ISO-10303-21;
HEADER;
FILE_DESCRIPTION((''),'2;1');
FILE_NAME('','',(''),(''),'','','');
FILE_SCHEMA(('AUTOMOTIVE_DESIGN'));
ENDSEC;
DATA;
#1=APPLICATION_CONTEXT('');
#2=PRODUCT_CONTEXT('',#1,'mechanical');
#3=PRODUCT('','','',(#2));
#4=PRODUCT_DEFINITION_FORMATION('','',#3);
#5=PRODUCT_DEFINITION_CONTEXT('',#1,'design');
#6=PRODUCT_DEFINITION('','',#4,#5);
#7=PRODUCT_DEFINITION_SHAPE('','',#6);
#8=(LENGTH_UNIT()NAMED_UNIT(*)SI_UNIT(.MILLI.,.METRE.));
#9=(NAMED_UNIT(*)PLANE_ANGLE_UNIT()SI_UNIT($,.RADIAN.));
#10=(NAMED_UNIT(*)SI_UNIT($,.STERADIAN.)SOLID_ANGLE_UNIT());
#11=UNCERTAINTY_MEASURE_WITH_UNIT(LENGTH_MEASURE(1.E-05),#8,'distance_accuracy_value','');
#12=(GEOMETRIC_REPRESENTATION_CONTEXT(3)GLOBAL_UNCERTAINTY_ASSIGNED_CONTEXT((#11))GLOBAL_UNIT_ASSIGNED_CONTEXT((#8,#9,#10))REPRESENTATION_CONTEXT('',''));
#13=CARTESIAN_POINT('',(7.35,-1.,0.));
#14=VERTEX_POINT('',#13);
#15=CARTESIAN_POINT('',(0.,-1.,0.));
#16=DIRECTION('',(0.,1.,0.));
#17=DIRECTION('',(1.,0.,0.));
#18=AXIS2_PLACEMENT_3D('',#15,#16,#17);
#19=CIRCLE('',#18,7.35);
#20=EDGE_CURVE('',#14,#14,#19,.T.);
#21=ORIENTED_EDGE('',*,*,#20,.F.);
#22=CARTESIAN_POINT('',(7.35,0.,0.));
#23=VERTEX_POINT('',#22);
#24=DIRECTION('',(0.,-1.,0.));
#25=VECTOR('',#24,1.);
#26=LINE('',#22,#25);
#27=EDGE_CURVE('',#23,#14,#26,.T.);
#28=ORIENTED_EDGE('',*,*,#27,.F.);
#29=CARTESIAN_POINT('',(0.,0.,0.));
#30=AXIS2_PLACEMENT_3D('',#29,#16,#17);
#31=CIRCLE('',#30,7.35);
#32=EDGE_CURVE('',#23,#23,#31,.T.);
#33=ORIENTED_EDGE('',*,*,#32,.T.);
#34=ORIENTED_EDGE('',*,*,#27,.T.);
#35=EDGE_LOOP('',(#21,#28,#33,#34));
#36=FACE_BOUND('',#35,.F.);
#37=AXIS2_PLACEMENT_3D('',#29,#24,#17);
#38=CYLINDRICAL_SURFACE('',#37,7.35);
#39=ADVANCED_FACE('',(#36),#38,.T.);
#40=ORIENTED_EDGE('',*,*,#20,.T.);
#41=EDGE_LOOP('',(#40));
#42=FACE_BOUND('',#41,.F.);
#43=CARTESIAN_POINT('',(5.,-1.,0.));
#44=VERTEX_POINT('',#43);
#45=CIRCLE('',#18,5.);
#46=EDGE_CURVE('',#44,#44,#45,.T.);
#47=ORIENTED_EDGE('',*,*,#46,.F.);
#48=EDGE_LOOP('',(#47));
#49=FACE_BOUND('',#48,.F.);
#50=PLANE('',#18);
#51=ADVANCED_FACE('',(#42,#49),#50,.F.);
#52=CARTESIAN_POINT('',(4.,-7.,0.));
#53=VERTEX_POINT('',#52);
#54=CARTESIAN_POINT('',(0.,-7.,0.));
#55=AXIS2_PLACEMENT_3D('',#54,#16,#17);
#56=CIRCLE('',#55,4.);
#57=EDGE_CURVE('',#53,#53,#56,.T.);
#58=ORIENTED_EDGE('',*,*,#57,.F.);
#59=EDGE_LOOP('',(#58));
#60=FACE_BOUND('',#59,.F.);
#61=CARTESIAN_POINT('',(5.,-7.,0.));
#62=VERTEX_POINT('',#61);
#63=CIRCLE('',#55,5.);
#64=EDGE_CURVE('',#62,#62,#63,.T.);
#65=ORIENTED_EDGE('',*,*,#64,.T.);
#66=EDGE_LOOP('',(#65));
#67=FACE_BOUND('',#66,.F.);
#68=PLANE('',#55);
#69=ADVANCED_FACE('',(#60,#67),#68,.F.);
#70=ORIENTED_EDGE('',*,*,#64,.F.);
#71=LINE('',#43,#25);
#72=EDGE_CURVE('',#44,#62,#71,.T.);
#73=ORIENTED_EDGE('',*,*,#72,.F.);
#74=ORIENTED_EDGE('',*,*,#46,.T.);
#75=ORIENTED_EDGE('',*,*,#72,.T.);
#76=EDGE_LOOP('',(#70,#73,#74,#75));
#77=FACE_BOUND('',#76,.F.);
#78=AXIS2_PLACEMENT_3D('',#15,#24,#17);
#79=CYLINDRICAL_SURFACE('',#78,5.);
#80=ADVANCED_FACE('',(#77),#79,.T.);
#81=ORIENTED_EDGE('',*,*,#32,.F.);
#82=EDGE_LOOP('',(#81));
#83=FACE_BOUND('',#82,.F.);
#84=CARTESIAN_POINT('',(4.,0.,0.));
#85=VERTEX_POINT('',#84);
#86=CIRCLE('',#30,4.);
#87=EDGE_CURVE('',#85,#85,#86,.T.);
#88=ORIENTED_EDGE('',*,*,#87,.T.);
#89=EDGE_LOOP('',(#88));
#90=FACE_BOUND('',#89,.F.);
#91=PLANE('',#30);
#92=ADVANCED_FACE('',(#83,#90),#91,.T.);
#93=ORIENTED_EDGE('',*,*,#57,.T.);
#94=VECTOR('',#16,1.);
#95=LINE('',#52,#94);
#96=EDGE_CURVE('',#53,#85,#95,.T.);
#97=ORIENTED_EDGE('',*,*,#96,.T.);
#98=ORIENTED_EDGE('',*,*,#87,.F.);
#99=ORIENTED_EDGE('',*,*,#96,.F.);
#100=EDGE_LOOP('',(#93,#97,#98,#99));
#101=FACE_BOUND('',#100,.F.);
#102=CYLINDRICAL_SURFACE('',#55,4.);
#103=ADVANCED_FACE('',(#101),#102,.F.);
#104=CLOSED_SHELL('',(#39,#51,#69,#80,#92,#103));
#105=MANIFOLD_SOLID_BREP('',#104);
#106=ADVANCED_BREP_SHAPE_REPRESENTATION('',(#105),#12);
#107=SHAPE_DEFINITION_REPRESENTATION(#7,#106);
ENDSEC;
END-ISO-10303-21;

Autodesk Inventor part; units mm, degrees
ref_plane "YZ Plane" through (0, 0, 0) normal (1, 0, 0) x (0, 1, 0)
ref_plane "XZ Plane" through (0, 0, 0) normal (0, 1, 0) x (-1, 0, 0)
ref_plane "XY Plane" through (0, 0, 0) normal (0, 0, 1) x (1, 0, 0)
sketch "スケッチ1" plane through (0, 0, 0) normal (0, 0, 1) x (1, 0, 0)
  line L0 (4, 0) -> (7.35, 0)
  line L1 (7.35, 0) -> (7.35, -1)
  line L2 (7.35, -1) -> (5, -1)
  line L3 (5, -1) -> (5, -7)
  line L4 (5, -7) -> (4, -7)
  line L5 (4, -7) -> (4, 0)
  line L6 (0, -8.4) -> (0, 1.4) projected
  point P0 (0, 0)
  dimension "d0" = 4
  dimension "d2" = 1
  dimension "d3" = 2.35
  dimension "d4" = 6
  dimension "d5" = 90
  dimension "d6" = 1
revolve "回転1" add sketch "スケッチ1" angle 360 about axis through (0, -10, 0) along (0, 1, 0)
properties part number "oilressbush8_10_sa" material "PC/ABS プラスチック"
